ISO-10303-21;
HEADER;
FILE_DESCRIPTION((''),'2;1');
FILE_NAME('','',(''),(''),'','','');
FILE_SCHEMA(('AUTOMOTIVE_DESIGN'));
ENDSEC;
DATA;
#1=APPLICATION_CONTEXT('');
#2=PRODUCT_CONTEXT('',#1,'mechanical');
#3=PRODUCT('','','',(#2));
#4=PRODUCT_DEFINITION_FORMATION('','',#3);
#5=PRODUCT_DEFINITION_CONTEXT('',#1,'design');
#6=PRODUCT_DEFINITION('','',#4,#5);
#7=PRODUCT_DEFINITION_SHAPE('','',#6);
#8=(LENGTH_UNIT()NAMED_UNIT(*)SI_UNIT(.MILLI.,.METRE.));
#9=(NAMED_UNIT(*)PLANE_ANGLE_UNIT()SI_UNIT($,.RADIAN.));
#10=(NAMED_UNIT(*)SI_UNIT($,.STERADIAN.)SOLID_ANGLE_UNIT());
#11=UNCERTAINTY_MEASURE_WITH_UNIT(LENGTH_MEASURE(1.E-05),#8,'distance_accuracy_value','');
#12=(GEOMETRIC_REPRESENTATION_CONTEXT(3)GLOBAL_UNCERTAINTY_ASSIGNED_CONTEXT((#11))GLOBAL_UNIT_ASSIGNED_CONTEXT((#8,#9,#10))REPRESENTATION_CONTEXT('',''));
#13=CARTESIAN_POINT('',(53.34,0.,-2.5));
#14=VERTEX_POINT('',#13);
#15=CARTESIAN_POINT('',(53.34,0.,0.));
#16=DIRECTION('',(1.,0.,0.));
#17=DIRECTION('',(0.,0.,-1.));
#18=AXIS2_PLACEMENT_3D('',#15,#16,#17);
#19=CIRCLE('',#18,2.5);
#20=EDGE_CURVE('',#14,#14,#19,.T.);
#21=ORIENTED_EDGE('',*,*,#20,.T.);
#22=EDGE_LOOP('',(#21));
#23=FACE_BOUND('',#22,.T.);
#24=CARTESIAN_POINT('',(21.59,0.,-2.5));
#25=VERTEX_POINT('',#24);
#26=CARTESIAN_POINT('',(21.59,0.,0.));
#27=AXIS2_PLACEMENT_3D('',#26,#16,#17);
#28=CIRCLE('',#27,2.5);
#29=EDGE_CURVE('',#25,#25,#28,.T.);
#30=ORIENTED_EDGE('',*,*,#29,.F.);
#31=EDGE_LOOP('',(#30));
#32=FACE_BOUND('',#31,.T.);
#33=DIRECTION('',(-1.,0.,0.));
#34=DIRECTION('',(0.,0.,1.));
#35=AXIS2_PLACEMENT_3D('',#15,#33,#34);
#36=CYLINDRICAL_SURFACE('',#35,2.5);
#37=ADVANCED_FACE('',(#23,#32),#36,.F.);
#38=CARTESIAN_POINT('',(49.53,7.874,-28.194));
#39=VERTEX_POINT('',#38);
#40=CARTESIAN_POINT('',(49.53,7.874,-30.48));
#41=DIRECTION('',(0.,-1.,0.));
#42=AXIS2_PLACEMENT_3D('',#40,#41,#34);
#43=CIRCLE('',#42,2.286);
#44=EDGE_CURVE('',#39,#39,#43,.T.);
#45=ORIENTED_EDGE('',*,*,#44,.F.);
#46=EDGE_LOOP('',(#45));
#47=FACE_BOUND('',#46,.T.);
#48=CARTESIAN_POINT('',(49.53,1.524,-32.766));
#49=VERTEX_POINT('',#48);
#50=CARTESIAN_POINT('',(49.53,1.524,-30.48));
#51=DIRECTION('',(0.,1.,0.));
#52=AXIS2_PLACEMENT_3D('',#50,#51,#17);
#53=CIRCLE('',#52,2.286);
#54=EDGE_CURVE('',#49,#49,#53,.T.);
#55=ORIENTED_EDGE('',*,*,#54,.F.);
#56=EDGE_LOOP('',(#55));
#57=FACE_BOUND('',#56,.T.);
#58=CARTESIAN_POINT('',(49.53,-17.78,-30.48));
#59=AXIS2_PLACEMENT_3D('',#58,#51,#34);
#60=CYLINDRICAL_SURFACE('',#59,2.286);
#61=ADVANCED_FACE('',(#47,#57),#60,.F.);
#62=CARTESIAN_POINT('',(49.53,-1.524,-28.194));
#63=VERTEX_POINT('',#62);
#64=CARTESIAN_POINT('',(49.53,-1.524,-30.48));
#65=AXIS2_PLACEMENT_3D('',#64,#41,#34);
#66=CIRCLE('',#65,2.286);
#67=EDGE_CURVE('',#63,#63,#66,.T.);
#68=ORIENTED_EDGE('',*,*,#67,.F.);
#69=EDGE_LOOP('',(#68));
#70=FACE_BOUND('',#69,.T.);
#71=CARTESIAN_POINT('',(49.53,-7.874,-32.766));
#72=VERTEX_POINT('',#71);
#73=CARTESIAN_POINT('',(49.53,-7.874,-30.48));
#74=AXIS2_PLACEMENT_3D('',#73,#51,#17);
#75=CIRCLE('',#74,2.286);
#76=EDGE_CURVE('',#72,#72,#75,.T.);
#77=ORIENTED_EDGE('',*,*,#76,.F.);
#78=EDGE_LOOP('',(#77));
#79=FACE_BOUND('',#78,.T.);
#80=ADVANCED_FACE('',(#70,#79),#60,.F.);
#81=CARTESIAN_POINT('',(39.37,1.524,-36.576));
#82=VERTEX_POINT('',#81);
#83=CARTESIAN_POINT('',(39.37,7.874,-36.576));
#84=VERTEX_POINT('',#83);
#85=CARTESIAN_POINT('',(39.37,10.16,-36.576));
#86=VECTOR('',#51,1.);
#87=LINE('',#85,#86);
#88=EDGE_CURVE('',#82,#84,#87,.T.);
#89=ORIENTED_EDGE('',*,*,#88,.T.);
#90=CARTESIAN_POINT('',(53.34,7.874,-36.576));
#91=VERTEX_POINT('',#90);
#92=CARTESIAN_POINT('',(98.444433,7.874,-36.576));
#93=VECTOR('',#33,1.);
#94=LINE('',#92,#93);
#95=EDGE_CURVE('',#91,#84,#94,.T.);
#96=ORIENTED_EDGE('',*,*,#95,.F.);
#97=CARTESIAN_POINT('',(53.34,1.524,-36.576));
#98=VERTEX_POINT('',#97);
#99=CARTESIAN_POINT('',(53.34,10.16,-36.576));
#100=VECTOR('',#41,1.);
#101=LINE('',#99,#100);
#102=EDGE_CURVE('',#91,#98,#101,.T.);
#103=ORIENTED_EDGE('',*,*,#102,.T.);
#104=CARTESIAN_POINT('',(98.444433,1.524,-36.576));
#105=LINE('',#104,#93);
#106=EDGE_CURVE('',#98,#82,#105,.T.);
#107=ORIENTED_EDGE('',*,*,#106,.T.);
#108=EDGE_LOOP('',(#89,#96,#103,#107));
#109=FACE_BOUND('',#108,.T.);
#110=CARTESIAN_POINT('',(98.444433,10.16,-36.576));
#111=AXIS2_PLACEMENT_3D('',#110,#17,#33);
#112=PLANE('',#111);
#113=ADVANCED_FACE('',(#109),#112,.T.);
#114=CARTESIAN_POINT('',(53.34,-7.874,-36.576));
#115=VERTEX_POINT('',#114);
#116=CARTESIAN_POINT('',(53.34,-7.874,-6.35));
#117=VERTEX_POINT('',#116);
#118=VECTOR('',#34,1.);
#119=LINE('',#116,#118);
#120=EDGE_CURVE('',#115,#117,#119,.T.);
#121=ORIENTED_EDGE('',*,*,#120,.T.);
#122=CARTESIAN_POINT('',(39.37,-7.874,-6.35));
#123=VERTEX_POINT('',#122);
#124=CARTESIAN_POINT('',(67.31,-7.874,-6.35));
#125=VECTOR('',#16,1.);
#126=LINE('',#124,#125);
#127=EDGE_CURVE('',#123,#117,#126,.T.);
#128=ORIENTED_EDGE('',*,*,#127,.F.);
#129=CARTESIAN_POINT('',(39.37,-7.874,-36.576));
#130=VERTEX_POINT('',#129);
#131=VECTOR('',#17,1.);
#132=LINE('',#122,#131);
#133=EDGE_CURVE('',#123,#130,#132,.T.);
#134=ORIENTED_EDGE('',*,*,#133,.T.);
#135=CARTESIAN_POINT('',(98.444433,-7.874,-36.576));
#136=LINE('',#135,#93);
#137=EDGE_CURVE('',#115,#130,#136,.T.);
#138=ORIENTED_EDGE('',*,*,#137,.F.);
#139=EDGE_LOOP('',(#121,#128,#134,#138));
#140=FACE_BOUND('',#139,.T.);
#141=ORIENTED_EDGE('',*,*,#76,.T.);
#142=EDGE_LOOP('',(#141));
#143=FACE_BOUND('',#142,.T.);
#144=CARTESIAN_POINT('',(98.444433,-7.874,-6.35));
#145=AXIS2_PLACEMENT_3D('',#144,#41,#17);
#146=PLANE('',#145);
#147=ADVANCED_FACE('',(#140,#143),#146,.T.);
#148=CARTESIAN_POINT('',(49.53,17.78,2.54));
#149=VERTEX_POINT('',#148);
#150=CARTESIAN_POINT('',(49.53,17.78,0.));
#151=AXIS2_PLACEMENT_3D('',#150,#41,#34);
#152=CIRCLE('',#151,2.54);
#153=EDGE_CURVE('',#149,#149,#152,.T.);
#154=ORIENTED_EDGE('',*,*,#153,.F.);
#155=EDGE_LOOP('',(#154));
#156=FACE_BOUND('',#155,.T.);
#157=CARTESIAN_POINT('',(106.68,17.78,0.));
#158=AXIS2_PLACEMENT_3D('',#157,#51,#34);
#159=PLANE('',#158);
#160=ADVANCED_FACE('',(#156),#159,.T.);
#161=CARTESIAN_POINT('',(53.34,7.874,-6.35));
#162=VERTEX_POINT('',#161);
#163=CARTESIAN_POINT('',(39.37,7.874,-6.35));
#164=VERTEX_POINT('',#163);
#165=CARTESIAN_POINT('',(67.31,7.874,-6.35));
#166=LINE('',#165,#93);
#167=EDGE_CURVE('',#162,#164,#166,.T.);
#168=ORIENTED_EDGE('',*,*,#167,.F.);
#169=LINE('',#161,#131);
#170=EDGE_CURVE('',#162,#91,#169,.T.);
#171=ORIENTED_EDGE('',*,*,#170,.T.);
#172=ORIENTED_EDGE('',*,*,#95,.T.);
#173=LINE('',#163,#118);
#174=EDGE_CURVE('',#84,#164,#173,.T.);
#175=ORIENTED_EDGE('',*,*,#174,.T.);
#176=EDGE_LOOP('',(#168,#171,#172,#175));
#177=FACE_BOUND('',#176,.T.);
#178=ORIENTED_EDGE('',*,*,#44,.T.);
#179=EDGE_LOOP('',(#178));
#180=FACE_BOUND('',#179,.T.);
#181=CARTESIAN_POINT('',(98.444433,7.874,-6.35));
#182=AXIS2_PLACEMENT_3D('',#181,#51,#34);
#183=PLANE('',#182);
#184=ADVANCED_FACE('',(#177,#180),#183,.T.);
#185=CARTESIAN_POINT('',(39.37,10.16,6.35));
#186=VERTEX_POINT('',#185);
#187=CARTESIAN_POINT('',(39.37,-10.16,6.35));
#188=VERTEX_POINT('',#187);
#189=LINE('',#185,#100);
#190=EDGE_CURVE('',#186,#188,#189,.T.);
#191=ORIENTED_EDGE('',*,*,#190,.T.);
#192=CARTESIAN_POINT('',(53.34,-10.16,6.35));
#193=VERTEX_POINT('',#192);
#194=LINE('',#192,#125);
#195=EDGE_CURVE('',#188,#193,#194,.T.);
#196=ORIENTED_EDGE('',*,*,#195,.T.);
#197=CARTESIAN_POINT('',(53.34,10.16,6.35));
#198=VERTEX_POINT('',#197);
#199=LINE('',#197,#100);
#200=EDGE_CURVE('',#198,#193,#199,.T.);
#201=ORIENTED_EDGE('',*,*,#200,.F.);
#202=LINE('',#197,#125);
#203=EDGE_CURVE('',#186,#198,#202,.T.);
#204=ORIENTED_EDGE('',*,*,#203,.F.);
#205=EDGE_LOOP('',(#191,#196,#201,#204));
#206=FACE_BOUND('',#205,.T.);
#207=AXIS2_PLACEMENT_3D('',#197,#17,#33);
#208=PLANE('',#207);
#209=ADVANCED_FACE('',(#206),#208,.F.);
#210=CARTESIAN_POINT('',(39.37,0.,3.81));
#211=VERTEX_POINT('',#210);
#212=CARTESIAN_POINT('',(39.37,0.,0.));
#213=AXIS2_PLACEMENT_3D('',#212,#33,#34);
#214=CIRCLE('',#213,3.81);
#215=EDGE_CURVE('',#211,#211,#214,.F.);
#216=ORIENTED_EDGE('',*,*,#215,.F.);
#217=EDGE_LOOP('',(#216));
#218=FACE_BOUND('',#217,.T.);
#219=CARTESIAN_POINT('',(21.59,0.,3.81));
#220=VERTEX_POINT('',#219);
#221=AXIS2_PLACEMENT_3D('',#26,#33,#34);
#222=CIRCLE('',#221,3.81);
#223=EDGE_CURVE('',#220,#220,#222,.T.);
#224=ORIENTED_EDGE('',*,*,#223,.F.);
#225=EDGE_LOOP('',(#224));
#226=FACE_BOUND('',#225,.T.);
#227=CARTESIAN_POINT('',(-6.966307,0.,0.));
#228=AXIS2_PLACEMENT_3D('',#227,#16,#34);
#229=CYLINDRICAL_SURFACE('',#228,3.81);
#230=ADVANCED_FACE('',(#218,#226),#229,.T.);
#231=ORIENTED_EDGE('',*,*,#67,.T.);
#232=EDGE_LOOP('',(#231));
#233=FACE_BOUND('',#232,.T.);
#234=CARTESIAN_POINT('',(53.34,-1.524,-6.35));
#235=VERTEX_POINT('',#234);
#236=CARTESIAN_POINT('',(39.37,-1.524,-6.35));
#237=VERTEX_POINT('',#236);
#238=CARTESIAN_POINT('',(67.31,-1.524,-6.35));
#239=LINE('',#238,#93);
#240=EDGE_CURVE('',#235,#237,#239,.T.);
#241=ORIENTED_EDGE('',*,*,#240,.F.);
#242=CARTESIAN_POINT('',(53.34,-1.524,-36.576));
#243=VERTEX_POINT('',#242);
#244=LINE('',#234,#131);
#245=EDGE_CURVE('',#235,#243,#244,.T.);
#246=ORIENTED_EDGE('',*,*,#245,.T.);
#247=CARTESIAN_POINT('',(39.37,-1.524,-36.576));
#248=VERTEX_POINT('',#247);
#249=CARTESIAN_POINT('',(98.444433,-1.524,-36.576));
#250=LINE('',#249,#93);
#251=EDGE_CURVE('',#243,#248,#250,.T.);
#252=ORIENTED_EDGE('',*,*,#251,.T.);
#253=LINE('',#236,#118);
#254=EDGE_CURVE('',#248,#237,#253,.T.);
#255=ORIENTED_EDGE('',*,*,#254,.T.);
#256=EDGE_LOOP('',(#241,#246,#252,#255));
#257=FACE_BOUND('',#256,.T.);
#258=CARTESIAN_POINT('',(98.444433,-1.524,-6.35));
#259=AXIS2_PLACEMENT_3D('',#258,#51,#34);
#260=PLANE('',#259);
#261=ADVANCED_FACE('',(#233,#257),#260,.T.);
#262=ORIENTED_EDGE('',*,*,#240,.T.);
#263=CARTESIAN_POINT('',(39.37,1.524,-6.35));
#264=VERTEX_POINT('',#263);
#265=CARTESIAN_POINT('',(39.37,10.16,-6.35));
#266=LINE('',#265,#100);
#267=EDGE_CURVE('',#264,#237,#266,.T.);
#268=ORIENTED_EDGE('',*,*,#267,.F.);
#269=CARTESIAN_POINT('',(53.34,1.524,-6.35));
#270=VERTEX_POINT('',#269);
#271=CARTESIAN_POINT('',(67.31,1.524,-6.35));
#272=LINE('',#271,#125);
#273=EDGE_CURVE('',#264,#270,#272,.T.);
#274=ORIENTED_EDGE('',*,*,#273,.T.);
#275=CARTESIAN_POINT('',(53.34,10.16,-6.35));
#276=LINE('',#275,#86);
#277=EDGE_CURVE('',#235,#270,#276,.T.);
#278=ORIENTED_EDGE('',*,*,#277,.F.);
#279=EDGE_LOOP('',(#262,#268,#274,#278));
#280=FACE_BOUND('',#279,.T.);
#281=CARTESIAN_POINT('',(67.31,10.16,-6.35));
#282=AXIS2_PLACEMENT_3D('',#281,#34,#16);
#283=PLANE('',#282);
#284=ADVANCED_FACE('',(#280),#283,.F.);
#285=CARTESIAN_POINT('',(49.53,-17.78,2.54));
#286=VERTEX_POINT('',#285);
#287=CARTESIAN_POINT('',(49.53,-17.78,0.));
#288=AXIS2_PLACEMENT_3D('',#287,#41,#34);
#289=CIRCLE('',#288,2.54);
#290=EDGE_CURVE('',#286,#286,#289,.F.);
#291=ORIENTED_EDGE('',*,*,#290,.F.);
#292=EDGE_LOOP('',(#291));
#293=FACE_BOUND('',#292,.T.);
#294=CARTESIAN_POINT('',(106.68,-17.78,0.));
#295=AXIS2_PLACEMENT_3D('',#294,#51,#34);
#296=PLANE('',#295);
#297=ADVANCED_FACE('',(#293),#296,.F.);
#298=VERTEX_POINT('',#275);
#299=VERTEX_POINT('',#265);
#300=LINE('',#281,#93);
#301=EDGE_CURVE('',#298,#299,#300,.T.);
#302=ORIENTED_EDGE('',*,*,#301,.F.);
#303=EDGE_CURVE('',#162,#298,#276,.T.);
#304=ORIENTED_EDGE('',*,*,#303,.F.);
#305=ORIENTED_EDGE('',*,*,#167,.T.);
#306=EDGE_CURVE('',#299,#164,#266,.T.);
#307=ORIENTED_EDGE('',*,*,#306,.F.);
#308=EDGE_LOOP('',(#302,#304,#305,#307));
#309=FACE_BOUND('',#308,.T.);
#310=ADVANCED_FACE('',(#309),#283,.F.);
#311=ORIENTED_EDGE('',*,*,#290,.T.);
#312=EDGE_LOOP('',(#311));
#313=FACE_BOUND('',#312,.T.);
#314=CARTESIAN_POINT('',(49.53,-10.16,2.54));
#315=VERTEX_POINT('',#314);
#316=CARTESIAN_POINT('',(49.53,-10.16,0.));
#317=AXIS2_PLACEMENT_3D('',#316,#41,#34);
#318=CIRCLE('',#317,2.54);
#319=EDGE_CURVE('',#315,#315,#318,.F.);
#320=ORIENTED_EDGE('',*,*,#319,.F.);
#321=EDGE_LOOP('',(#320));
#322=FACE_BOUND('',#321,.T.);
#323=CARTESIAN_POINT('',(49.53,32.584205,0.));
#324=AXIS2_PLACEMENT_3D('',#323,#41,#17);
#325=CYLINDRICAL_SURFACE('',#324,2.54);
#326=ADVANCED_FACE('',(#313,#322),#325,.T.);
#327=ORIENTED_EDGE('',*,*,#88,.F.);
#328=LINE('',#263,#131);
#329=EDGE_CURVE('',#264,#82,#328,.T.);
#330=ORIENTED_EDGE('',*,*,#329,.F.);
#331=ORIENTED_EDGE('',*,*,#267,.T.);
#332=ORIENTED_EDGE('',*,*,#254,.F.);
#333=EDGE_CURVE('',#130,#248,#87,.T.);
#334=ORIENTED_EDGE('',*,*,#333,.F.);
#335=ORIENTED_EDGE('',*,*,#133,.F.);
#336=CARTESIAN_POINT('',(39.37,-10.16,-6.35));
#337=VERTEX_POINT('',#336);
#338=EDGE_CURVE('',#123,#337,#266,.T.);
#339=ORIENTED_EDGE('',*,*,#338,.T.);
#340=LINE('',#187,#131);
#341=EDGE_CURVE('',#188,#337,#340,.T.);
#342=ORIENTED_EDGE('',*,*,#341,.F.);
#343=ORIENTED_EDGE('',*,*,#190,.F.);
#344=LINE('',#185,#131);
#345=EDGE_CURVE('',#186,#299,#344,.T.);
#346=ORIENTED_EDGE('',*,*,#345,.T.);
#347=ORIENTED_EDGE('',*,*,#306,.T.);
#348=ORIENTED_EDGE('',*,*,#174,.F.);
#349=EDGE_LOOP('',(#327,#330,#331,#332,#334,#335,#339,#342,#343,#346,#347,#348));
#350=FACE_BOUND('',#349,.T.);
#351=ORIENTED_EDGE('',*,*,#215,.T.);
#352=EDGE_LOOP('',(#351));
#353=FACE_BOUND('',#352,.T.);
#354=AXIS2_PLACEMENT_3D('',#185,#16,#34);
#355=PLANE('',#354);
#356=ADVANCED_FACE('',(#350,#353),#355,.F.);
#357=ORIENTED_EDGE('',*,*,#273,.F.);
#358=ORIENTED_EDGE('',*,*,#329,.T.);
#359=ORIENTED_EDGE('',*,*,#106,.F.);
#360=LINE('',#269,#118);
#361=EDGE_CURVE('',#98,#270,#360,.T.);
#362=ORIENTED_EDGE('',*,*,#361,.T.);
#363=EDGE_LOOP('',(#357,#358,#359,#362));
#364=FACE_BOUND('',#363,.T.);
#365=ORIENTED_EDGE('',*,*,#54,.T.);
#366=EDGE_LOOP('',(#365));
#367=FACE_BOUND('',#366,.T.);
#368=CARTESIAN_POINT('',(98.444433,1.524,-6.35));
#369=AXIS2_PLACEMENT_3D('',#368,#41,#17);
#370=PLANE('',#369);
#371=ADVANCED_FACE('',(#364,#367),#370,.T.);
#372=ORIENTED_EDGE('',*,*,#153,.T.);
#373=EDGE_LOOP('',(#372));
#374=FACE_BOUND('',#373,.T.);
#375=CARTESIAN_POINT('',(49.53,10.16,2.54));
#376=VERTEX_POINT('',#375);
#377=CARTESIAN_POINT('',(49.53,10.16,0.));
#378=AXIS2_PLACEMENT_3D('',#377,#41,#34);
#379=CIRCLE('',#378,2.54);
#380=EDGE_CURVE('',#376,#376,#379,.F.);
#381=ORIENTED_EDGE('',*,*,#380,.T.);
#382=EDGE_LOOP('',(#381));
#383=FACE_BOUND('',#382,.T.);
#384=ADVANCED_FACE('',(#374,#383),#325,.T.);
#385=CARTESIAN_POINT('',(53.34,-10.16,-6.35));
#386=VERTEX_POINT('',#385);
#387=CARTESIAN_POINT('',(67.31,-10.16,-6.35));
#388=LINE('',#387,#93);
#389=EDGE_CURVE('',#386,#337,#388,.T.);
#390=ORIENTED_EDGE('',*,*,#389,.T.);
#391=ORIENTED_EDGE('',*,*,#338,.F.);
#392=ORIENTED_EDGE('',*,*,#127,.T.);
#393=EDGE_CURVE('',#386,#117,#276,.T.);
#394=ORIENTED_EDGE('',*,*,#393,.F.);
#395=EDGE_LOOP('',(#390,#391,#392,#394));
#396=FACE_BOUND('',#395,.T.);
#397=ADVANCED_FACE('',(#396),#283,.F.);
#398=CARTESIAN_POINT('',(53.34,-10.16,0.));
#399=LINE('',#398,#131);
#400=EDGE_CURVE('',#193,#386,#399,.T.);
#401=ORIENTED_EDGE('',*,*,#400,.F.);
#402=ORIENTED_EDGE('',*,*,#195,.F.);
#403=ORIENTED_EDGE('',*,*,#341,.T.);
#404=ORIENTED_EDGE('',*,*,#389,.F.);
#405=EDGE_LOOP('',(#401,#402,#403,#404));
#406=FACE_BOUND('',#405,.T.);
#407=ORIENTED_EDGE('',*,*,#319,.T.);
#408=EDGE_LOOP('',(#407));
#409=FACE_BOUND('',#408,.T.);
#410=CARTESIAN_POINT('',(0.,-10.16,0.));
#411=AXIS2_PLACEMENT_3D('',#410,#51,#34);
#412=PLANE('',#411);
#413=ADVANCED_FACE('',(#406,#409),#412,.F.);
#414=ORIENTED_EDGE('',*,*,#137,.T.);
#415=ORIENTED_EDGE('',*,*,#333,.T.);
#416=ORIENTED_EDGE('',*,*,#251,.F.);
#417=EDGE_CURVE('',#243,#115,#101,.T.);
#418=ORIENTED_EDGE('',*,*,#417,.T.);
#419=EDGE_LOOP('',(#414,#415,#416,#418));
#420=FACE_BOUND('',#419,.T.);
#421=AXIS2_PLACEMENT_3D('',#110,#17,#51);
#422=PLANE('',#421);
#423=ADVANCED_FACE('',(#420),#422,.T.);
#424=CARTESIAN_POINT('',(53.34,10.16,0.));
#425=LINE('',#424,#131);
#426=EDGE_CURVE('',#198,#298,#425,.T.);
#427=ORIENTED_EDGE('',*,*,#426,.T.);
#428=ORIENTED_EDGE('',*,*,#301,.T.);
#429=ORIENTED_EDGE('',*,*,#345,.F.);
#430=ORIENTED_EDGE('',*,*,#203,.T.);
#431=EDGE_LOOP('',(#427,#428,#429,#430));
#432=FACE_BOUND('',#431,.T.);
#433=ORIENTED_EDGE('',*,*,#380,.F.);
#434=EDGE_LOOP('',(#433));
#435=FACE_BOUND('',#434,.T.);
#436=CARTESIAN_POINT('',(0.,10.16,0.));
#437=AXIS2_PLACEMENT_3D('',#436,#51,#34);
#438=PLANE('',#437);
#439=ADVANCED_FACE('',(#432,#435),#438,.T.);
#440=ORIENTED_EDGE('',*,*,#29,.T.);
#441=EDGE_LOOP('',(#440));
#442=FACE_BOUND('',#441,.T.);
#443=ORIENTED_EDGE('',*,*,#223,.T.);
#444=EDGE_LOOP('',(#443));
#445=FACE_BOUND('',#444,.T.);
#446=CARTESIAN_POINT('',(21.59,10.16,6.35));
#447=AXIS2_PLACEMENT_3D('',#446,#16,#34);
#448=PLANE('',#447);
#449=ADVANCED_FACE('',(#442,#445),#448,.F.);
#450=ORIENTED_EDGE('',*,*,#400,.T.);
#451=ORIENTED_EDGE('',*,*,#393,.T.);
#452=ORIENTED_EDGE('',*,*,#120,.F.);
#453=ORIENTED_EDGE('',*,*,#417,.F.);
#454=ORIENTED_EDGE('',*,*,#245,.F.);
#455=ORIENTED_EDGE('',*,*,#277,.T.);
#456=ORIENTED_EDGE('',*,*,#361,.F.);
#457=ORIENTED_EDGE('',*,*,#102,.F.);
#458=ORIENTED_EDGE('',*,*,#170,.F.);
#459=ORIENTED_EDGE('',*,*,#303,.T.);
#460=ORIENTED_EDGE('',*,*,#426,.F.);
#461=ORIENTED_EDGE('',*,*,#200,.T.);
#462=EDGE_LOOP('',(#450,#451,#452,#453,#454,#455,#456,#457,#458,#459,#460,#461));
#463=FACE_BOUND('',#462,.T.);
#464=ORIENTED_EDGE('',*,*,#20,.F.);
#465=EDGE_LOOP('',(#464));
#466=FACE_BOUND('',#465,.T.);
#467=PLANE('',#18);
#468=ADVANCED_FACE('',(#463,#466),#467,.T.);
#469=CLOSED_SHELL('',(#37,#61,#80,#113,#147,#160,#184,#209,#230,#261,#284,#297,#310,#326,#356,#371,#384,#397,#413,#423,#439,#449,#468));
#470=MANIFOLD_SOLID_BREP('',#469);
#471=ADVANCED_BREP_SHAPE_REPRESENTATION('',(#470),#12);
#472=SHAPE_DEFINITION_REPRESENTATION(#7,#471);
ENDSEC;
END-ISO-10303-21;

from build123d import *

# Parameters (mm, degrees)
SKETCH1_W           = 13.97
SKETCH1_H           = 12.7
BOSS_EXTRUDE1_DEPTH = 10.16
SKETCH1_3_R         = 2.54
BOSS_EXTRUDE2_DEPTH = 17.78
BOSS_EXTRUDE3_START = 53.34
SKETCH2_R           = 3.81
BOSS_EXTRUDE3_DEPTH = 31.75
BOSS_EXTRUDE4_START = 53.34
SKETCH3_W           = 30.48
SKETCH3_H           = 6.35
BOSS_EXTRUDE4_DEPTH = 13.97
CUT_EXTRUDE1_START  = -1
SKETCH4_R           = 2.5
CUT_EXTRUDE1_DEPTH  = 87.09
SKETCH6_R           = 2.286
CUT_EXTRUDE3_DEPTH  = 18.78
SKETCH5_W           = 115.291364872
SKETCH5_H           = 73.621660508
CUT_EXTRUDE2_DEPTH  = 32.75


with BuildPart() as part:
    # Sketch1 → Boss-Extrude1 (new body, symmetric)
    with BuildSketch(Plane(origin=(0, 0, 0), x_dir=(1, 0, 0), z_dir=(0, 1, 0))):
        with Locations((60.325, 0)):
            Rectangle(SKETCH1_W, SKETCH1_H)
    boss_extrude1 = extrude(amount=BOSS_EXTRUDE1_DEPTH, both=True)

    # Sketch1_3 → Boss-Extrude2 (add, symmetric)
    with BuildSketch(Plane(origin=(0, 0, 0), x_dir=(1, 0, 0), z_dir=(0, 1, 0))):
        with Locations((57.15, 0)):
            Circle(SKETCH1_3_R)
    boss_extrude2 = extrude(amount=BOSS_EXTRUDE2_DEPTH, both=True)

    # Sketch2 → Boss-Extrude3 (add)
    with BuildSketch(Plane(origin=(0, 0, 0), x_dir=(0, 0, -1), z_dir=(1, 0, 0)).offset(BOSS_EXTRUDE3_START)):
        Circle(SKETCH2_R)
    boss_extrude3 = extrude(amount=BOSS_EXTRUDE3_DEPTH)

    # Sketch3 → Boss-Extrude4 (add)
    with BuildSketch(Plane(origin=(0, 0, 0), x_dir=(0, 0, -1), z_dir=(1, 0, 0)).offset(BOSS_EXTRUDE4_START)):
        with Locations((21.336, 4.699)):
            Rectangle(SKETCH3_W, SKETCH3_H)
        with Locations((21.336, -4.699)):
            Rectangle(SKETCH3_W, SKETCH3_H)
    boss_extrude4 = extrude(amount=BOSS_EXTRUDE4_DEPTH)

    # Sketch4 → Cut-Extrude1 (cut)
    with BuildSketch(Plane(origin=(0, 0, 0), x_dir=(0, 0, -1), z_dir=(1, 0, 0)).offset(CUT_EXTRUDE1_START)):
        Circle(SKETCH4_R)
    cut_extrude1 = extrude(amount=CUT_EXTRUDE1_DEPTH, mode=Mode.SUBTRACT)

    # Sketch6 → Cut-Extrude3 (cut, symmetric)
    with BuildSketch(Plane(origin=(0, 0, 0), x_dir=(1, 0, 0), z_dir=(0, 1, 0))):
        with Locations((57.15, 30.48)):
            Circle(SKETCH6_R)
    cut_extrude3 = extrude(amount=CUT_EXTRUDE3_DEPTH, both=True, mode=Mode.SUBTRACT)

    # Mirror11: Boss-Extrude1, Boss-Extrude2, Boss-Extrude3, Boss-Extrude4, Cut-Extrude1, Cut-Extrude3 across plane
    add(boss_extrude1.mirror(Plane(origin=(53.34, 10.16, -6.35), x_dir=(0, 0, 1), z_dir=(1, 0, 0))))
    add(boss_extrude2.mirror(Plane(origin=(53.34, 10.16, -6.35), x_dir=(0, 0, 1), z_dir=(1, 0, 0))))
    add(boss_extrude3.mirror(Plane(origin=(53.34, 10.16, -6.35), x_dir=(0, 0, 1), z_dir=(1, 0, 0))))
    add(boss_extrude4.mirror(Plane(origin=(53.34, 10.16, -6.35), x_dir=(0, 0, 1), z_dir=(1, 0, 0))))
    add(cut_extrude1.mirror(Plane(origin=(53.34, 10.16, -6.35), x_dir=(0, 0, 1), z_dir=(1, 0, 0))), mode=Mode.SUBTRACT)
    add(cut_extrude3.mirror(Plane(origin=(53.34, 10.16, -6.35), x_dir=(0, 0, 1), z_dir=(1, 0, 0))), mode=Mode.SUBTRACT)

    # Sketch5 → Cut-Extrude2 (cut, through all)
    with BuildSketch(Plane(origin=(53.34, 0, 0), x_dir=(0, 0, -1), z_dir=(1, 0, 0))):
        with Locations((14.102354185, -2.798711487)):
            Rectangle(SKETCH5_W, SKETCH5_H)
    extrude(amount=CUT_EXTRUDE2_DEPTH, mode=Mode.SUBTRACT)


solid = part.part
